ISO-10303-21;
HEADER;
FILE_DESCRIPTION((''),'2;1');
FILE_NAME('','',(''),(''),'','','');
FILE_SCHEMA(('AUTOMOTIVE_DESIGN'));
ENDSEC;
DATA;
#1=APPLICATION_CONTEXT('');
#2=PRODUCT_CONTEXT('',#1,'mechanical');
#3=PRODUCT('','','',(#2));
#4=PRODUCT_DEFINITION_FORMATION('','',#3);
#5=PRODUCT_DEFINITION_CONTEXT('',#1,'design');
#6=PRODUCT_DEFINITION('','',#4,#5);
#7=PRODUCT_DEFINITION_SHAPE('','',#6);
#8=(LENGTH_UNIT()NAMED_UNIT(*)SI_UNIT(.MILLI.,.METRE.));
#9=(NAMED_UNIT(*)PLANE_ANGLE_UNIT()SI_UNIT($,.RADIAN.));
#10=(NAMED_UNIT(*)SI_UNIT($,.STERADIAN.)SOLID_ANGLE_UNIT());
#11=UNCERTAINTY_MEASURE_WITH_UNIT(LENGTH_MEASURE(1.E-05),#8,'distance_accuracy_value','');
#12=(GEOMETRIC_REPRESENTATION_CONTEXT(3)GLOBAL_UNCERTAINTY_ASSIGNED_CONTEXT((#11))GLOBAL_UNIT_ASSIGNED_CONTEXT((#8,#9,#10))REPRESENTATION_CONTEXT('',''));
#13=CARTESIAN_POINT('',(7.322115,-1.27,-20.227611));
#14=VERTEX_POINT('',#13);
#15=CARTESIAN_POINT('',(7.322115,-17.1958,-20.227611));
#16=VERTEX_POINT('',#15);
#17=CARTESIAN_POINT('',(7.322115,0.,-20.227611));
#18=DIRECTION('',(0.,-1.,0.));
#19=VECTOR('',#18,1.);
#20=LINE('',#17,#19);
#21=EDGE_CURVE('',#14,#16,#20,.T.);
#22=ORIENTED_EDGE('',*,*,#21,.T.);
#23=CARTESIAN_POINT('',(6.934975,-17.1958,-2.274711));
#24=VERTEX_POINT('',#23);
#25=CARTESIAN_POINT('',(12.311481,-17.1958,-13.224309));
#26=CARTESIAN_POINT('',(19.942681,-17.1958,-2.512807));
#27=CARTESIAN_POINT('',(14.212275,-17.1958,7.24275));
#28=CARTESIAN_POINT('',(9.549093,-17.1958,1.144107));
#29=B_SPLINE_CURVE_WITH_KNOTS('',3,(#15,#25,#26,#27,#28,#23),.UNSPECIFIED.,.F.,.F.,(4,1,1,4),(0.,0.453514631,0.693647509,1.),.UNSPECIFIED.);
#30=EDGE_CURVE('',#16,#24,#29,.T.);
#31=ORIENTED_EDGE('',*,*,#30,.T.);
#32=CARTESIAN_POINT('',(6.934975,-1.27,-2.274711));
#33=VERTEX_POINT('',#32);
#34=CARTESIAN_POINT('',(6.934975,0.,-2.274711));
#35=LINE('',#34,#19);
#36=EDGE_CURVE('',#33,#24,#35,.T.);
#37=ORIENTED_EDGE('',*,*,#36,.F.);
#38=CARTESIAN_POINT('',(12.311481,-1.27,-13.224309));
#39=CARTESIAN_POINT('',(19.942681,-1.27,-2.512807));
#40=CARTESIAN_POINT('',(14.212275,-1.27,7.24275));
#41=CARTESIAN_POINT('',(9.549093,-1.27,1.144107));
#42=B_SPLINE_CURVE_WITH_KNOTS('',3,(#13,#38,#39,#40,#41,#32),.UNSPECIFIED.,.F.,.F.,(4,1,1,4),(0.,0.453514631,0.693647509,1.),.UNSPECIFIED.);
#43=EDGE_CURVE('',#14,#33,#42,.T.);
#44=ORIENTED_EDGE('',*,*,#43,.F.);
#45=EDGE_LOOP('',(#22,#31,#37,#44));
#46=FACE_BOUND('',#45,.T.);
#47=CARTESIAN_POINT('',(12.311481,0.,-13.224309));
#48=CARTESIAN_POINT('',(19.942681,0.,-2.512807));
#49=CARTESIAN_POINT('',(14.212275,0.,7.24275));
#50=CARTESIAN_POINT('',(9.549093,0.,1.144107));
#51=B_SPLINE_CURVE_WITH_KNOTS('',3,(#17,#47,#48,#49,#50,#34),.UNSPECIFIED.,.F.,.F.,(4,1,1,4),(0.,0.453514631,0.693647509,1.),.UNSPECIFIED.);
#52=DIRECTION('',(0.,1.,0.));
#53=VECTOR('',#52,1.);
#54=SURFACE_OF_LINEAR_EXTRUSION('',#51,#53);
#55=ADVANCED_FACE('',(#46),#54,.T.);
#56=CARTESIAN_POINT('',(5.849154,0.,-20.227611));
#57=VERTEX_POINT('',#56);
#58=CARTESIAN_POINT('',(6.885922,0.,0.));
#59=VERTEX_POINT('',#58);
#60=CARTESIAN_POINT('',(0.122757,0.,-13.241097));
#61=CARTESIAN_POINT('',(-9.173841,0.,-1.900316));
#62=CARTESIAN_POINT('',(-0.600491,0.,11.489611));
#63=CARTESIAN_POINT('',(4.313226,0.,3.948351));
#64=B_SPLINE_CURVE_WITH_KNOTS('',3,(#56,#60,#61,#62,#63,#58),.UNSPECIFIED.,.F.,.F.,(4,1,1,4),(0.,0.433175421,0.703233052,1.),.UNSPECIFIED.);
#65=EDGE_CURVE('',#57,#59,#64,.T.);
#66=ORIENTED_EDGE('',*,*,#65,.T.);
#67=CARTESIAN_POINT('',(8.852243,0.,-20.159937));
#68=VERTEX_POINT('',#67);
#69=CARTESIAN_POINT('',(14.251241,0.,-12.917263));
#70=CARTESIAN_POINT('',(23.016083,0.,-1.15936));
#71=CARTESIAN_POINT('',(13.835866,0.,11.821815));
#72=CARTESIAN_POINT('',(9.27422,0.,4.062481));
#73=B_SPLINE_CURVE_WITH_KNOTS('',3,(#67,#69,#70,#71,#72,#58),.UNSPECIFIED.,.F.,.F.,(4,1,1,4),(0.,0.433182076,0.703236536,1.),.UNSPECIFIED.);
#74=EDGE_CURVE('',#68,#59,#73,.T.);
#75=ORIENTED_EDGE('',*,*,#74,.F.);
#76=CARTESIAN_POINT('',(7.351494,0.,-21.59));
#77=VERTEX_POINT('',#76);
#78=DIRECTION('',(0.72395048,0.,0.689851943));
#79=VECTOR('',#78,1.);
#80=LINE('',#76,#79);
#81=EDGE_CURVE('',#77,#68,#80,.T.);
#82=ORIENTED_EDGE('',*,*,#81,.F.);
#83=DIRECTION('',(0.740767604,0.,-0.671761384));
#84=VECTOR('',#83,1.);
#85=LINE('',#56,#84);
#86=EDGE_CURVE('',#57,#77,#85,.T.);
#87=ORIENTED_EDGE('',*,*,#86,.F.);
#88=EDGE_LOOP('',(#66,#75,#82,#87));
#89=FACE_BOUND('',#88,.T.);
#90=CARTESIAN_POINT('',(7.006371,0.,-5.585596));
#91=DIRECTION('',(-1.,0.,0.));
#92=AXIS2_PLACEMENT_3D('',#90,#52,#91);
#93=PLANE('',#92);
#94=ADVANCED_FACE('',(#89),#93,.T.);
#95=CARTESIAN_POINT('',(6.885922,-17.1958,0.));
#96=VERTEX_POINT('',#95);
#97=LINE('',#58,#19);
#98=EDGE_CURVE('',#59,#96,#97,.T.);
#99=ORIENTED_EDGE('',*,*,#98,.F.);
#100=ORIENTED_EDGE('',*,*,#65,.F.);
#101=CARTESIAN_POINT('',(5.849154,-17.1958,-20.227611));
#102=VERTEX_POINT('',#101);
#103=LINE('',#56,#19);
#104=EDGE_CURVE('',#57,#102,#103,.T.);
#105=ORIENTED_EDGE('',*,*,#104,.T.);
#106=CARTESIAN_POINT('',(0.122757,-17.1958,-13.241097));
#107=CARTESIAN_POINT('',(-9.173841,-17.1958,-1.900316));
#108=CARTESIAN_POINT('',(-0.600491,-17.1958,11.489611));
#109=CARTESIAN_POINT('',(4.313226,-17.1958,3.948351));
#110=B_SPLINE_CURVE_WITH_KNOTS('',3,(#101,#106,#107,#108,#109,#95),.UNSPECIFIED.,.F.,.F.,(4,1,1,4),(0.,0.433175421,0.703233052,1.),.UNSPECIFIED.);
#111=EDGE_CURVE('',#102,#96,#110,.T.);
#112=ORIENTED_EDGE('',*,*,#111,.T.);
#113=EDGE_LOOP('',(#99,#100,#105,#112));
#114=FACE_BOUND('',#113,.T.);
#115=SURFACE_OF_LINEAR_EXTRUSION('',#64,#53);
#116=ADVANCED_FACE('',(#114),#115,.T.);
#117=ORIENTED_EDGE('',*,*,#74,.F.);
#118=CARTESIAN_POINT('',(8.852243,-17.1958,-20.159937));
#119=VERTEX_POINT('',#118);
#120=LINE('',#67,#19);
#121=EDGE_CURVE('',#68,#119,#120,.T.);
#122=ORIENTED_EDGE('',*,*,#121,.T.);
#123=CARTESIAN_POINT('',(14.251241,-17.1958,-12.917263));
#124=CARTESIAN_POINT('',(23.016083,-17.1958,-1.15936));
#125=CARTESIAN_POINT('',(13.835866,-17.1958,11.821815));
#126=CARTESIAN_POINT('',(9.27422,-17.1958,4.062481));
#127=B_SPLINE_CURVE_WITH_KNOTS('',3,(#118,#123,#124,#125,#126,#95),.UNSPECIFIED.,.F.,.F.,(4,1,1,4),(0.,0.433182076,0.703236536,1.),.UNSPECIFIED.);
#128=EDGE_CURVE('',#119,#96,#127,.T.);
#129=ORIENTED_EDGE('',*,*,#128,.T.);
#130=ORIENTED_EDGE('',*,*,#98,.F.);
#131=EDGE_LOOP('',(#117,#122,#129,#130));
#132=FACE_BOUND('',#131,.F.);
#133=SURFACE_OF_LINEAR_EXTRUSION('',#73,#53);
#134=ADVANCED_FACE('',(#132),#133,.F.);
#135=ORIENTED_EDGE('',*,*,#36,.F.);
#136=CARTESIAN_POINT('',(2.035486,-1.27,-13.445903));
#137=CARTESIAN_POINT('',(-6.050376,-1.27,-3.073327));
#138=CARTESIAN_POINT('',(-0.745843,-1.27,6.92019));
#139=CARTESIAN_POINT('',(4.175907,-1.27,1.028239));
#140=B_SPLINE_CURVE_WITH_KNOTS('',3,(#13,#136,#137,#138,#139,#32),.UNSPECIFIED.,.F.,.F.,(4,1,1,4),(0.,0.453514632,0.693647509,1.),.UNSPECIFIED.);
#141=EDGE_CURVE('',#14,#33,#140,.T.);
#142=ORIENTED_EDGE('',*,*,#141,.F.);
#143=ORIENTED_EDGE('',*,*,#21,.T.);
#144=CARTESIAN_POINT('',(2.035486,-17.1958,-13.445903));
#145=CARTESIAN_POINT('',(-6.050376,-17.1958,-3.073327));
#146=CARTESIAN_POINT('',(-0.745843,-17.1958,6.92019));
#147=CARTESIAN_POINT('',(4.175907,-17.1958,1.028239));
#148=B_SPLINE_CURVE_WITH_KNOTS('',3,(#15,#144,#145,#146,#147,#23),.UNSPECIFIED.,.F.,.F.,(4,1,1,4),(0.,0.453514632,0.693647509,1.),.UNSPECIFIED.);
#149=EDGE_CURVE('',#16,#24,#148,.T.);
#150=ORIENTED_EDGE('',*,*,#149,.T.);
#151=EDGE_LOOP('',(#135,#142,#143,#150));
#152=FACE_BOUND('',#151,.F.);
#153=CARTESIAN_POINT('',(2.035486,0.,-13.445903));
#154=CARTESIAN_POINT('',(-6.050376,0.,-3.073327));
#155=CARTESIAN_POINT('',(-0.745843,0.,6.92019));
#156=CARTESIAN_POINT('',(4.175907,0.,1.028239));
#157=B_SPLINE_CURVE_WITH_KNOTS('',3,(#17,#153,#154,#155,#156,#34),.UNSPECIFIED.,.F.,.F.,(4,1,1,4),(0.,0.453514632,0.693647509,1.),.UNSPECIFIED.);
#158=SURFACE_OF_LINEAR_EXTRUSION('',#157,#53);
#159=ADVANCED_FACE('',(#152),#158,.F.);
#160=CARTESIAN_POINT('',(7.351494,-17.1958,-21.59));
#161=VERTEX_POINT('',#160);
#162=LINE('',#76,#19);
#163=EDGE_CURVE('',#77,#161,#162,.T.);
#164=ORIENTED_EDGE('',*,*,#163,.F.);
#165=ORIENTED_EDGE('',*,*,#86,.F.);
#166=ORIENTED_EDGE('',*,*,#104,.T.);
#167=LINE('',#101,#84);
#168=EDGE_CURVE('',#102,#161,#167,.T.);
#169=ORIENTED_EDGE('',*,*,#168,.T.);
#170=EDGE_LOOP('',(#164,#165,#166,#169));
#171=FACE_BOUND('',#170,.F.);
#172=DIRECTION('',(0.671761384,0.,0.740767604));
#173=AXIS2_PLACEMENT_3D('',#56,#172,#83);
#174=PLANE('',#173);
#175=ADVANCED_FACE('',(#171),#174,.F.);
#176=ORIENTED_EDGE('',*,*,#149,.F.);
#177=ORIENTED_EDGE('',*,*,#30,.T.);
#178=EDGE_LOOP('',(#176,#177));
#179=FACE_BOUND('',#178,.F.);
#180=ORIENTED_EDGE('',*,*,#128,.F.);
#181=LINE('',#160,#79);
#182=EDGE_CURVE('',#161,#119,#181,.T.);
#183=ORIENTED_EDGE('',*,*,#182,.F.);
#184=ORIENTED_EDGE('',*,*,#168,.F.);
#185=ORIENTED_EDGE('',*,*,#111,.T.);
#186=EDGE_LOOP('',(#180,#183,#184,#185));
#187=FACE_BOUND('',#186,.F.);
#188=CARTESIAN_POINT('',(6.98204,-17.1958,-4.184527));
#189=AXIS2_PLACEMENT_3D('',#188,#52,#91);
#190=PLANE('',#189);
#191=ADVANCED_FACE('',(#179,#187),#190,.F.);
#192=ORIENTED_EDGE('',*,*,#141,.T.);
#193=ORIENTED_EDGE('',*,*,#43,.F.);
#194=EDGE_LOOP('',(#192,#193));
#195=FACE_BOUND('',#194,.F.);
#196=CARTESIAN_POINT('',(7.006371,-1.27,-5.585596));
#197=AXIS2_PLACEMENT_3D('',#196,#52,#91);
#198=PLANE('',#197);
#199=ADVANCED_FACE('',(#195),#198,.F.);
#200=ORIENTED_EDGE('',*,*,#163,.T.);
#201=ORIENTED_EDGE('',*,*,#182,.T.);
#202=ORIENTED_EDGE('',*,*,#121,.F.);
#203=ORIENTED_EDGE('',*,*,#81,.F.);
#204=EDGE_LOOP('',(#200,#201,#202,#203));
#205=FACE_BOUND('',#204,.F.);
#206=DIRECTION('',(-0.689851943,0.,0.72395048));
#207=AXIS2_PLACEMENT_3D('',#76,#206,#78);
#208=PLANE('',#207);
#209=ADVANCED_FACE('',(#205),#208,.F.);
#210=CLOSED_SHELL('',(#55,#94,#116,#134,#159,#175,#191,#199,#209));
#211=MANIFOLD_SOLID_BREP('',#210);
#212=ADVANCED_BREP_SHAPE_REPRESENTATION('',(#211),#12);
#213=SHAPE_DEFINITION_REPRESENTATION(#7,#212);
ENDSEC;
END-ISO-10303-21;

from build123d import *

# Parameters (mm, degrees)
F1_DEPTH = 17.1958
F2_DEPTH = 1.27


with BuildPart() as f1:
    # F0 (on Front) → F1 (new body)
    with BuildSketch(Plane.XZ):
        with BuildLine():
            add(Edge.make_bspline(
                [(5.8491540482, -20.2276108934), (0.1227568398, -13.2410970002), (-9.1738412765, -1.900316122), (-0.6004910975, 11.4896106569), (4.3132264916, 3.9483505847), (6.8859223132, 0)],
                knots=[0, 0, 0, 0, 0.4331754213, 0.7032330515, 1, 1, 1, 1], degree=3))
            Line((5.8491540482, -20.2276108934), (7.3514936251, -21.59))
            Line((7.3514936251, -21.59), (8.852242511, -20.1599373597))
            add(Edge.make_bspline(
                [(8.852242511, -20.1599373597), (14.2512406842, -12.9172633067), (23.0160834146, -1.1593598985), (13.8358657709, 11.8218148607), (9.2742198308, 4.0624807123), (6.8859222922, 0)],
                knots=[0, 0, 0, 0, 0.4331820762, 0.7032365357, 1, 1, 1, 1], degree=3))
        make_face()
        with BuildLine():
            add(Edge.make_bspline(
                [(7.3221147996, -20.2276108696), (12.3114805407, -13.2243089546), (19.9426811168, -2.5128068597), (14.2122748207, 7.2427496605), (9.5490929418, 1.144107321), (6.9349746668, -2.2747111406)],
                knots=[0, 0, 0, 0, 0.4535146315, 0.6936475085, 1, 1, 1, 1], degree=3))
            add(Edge.make_bspline(
                [(7.3221147907, -20.2276108934), (2.0354861687, -13.4459026934), (-6.0503759454, -3.0733266445), (-0.7458428402, 6.9201896348), (4.1759067343, 1.028238817), (6.9349746445, -2.2747111167)],
                knots=[0, 0, 0, 0, 0.4535146318, 0.6936475087, 1, 1, 1, 1], degree=3))
        make_face(mode=Mode.SUBTRACT)
    extrude(amount=F1_DEPTH)

    # F0 (on Front) → F2 (join)
    with BuildSketch(Plane.XZ):
        with BuildLine():
            add(Edge.make_bspline(
                [(7.3221147907, -20.2276108934), (2.0354861687, -13.4459026934), (-6.0503759454, -3.0733266445), (-0.7458428402, 6.9201896348), (4.1759067343, 1.028238817), (6.9349746445, -2.2747111167)],
                knots=[0, 0, 0, 0, 0.4535146318, 0.6936475087, 1, 1, 1, 1], degree=3))
            add(Edge.make_bspline(
                [(7.3221147996, -20.2276108696), (12.3114805407, -13.2243089546), (19.9426811168, -2.5128068597), (14.2122748207, 7.2427496605), (9.5490929418, 1.144107321), (6.9349746668, -2.2747111406)],
                knots=[0, 0, 0, 0, 0.4535146315, 0.6936475085, 1, 1, 1, 1], degree=3))
        make_face()
    extrude(amount=F2_DEPTH)


solid = f1.part
